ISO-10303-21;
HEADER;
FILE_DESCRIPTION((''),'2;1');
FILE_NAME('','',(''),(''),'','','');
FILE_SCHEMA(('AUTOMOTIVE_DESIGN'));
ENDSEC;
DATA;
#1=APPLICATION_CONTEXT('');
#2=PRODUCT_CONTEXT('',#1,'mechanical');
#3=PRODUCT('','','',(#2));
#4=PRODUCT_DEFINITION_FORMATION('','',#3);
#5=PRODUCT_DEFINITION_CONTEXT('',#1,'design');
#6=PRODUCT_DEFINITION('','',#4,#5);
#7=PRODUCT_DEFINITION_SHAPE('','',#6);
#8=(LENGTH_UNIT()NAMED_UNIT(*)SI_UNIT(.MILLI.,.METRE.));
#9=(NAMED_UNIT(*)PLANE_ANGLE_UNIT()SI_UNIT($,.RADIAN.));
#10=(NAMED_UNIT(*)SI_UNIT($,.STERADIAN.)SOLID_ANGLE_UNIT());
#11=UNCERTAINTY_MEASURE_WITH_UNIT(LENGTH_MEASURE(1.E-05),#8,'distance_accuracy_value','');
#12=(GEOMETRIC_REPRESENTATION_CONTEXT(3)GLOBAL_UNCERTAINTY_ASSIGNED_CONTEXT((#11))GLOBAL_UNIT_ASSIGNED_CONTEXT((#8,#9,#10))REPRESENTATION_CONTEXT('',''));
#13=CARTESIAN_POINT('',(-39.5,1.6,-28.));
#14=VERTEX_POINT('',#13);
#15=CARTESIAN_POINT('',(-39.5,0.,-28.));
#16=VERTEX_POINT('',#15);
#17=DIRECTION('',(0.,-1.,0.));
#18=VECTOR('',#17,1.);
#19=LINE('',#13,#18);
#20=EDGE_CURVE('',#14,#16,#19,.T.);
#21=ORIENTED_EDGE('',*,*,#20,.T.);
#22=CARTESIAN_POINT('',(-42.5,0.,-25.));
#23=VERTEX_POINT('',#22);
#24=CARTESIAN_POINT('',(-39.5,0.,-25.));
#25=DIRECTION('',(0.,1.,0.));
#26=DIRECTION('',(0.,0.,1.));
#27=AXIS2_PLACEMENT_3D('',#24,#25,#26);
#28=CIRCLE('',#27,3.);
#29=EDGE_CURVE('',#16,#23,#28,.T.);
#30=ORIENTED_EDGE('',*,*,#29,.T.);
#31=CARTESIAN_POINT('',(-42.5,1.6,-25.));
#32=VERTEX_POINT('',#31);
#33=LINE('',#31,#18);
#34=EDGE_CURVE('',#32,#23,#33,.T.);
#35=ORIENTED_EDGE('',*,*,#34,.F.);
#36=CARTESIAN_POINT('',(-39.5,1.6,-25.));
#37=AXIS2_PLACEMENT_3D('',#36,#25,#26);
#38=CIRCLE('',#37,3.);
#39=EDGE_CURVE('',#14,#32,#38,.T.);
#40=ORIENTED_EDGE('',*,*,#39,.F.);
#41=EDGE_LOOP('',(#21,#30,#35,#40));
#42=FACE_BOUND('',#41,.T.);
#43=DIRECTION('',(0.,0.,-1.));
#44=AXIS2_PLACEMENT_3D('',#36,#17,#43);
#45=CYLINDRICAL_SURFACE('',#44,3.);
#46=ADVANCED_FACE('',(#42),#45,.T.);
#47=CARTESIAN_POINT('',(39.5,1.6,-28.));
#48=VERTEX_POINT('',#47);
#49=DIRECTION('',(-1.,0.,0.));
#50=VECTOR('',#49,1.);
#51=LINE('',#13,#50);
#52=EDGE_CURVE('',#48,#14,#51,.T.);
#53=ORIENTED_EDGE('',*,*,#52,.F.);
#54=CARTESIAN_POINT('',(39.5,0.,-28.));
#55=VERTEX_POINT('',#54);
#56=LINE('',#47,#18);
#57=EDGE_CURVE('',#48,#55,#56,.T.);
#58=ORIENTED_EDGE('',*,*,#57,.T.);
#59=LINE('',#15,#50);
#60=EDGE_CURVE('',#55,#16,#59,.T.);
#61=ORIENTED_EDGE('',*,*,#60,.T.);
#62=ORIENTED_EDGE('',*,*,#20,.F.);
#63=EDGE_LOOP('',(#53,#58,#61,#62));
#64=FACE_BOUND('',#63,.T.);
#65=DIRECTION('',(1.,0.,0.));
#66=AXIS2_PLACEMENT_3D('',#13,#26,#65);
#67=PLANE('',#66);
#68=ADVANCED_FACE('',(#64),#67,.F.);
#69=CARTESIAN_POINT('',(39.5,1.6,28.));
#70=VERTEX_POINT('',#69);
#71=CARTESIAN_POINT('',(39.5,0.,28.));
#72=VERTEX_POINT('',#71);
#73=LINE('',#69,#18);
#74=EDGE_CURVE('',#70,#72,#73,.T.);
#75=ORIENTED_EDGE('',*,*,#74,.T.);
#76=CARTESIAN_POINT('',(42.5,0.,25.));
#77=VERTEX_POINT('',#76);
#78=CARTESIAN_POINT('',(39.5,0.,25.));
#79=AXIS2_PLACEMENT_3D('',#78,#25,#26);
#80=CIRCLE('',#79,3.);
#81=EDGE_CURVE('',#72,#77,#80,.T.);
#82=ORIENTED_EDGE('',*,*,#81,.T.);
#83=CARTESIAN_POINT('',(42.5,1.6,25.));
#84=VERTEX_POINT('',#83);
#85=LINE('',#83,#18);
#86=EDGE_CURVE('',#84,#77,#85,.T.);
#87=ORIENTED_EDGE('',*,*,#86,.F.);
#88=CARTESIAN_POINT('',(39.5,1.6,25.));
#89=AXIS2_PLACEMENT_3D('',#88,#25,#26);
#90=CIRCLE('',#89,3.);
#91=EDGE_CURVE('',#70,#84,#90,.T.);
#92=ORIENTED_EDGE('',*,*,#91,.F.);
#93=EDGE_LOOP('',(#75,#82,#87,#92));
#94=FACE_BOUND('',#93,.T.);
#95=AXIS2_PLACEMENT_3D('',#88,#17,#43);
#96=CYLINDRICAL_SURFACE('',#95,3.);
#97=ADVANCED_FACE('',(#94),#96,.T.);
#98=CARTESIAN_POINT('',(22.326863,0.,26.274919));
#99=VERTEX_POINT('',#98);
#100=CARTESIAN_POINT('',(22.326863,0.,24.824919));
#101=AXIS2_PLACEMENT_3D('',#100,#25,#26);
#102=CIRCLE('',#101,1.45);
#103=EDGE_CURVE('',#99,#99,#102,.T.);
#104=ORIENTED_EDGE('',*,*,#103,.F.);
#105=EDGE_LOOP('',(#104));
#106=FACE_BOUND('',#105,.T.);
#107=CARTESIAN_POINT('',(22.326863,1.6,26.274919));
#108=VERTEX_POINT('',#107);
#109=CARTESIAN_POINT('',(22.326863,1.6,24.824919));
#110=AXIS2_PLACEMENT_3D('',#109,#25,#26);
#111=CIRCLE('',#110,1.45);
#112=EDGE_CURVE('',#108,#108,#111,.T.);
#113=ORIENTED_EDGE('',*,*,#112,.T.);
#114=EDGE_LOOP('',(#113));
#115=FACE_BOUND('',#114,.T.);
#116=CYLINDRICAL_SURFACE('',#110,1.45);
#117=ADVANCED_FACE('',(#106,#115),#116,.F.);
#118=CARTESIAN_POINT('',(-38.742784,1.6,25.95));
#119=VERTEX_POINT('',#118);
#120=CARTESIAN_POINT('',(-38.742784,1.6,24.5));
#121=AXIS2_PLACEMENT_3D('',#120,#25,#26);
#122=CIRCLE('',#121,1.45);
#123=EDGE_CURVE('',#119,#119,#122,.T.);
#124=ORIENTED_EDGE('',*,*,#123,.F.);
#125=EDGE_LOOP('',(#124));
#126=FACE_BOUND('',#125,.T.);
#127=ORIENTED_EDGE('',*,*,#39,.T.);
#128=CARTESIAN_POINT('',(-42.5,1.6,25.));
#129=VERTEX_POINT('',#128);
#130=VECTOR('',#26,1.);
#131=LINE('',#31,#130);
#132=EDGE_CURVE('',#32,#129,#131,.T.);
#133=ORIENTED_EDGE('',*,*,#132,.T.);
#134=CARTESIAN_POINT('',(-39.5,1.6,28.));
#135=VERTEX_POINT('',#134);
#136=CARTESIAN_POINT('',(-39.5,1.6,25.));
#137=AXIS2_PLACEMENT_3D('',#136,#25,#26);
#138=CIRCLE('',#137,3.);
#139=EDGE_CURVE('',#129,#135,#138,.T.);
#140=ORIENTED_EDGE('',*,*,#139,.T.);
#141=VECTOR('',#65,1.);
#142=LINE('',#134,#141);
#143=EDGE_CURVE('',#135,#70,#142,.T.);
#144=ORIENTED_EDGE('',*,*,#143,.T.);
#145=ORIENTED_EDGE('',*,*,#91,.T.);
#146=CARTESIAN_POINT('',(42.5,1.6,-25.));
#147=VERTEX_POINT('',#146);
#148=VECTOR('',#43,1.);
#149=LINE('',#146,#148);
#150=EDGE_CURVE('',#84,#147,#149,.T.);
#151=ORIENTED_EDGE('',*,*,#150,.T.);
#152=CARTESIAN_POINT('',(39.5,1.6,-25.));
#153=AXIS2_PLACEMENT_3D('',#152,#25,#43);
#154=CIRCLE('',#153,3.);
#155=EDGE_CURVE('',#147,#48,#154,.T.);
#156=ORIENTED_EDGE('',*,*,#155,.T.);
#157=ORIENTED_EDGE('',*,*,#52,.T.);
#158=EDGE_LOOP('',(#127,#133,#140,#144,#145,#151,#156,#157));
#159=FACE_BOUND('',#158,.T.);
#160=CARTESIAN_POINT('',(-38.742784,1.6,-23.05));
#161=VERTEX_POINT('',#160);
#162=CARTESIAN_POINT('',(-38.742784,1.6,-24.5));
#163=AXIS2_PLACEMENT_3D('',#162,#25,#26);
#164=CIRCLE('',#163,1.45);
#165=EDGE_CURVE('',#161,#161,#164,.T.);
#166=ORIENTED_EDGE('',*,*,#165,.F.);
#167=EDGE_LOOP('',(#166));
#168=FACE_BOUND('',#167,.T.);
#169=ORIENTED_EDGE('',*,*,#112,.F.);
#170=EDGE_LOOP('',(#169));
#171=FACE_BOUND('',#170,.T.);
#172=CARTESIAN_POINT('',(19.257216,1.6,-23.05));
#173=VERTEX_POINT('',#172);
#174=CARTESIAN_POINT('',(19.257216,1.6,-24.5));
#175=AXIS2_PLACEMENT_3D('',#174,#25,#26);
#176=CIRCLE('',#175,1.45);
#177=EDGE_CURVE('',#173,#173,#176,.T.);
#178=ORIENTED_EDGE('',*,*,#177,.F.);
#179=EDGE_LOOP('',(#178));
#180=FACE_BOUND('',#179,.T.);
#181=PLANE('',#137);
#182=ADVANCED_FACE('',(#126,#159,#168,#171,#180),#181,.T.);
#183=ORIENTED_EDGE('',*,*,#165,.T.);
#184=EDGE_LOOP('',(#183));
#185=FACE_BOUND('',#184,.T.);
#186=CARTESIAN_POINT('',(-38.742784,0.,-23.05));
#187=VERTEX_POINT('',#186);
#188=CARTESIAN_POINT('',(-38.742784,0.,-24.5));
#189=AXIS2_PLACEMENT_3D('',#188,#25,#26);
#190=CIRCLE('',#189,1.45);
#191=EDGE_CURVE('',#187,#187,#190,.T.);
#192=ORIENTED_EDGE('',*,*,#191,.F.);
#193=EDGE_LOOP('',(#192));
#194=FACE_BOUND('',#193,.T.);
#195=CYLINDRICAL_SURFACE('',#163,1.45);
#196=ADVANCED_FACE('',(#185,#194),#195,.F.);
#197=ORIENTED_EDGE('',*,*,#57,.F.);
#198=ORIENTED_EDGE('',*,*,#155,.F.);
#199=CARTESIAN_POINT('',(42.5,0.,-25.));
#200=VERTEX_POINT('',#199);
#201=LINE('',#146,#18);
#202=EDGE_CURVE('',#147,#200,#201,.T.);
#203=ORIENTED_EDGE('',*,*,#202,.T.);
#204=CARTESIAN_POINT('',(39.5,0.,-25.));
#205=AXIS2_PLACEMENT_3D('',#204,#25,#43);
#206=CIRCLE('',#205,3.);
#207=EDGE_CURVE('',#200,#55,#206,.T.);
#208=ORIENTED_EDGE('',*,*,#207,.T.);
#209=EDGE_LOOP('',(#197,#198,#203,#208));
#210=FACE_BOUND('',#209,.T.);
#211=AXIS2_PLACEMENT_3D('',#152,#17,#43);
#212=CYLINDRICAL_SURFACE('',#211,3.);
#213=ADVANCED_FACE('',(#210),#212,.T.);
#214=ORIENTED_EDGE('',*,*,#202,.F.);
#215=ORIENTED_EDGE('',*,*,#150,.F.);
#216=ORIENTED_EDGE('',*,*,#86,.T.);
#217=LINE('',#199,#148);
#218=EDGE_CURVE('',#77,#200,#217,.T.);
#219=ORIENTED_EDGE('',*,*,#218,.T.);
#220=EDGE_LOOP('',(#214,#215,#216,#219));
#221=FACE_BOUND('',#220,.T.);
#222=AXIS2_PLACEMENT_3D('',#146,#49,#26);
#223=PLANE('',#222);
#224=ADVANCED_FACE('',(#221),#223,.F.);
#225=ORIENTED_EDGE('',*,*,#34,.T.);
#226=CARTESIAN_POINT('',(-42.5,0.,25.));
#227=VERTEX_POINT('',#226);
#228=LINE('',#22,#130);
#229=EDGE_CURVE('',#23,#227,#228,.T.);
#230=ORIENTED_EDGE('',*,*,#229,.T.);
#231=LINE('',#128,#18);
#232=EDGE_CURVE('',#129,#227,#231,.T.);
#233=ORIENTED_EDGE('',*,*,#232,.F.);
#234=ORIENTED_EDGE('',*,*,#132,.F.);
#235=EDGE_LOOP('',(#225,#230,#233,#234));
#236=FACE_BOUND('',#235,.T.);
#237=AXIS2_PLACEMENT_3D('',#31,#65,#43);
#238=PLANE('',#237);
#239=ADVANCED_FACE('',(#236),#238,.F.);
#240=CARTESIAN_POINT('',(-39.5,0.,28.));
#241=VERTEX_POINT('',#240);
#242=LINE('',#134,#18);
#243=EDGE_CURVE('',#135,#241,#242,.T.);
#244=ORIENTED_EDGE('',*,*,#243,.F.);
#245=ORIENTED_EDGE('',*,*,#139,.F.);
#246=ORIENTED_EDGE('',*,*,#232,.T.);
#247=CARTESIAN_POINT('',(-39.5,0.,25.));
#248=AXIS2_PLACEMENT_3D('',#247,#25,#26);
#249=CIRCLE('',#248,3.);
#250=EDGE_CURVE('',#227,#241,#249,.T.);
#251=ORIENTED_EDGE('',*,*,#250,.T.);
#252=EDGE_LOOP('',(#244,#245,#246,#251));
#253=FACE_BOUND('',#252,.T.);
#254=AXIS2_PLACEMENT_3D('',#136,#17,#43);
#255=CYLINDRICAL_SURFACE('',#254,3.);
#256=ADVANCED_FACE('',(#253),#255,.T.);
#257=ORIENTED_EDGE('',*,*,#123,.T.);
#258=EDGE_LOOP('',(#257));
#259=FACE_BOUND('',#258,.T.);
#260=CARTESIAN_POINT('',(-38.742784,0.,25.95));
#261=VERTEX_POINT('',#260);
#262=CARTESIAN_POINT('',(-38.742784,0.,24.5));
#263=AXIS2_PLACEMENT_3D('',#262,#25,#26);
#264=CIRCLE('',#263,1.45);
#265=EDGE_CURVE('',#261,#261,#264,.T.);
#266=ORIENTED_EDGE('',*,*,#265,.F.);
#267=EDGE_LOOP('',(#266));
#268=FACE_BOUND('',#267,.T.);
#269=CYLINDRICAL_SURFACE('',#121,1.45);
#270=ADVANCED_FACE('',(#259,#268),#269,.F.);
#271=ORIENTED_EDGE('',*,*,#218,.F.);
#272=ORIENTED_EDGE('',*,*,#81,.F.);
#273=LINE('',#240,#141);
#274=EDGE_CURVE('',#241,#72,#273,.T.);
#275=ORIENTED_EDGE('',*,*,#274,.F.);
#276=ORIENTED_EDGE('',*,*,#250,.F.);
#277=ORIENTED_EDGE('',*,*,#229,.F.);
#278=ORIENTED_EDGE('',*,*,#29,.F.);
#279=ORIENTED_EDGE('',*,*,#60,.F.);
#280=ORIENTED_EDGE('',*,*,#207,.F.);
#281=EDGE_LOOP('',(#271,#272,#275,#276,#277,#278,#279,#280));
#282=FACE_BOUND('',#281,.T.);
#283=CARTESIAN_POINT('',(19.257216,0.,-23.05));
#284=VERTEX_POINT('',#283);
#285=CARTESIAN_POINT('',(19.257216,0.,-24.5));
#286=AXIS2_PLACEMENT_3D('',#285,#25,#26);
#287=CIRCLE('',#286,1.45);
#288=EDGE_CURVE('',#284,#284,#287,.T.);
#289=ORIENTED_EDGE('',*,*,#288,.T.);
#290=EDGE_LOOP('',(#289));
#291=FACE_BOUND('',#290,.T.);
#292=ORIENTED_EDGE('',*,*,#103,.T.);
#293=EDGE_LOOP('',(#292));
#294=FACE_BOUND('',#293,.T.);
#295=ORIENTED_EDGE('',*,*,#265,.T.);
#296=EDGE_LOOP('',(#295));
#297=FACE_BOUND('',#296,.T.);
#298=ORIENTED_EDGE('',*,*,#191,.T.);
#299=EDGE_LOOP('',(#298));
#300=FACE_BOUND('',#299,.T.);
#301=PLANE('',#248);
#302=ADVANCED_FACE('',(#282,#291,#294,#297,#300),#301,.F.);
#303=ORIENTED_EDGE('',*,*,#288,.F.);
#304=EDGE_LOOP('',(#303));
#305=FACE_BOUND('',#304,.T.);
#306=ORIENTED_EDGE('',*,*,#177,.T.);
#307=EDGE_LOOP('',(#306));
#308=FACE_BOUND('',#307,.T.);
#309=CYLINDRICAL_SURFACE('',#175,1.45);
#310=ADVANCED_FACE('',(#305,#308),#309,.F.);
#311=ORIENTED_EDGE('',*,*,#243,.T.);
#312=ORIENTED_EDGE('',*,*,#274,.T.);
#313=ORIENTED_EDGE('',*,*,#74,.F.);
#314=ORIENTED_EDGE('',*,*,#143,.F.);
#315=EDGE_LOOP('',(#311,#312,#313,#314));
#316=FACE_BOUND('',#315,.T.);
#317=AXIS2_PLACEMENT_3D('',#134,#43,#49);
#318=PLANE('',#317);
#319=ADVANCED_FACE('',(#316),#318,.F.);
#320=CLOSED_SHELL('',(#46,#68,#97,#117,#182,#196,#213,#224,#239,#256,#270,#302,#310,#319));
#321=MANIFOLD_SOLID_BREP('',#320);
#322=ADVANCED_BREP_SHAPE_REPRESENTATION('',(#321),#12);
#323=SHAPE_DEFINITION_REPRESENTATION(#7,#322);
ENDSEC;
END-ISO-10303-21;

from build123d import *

# Parameters (mm, degrees)
BOSS_EXTRUDE1_DEPTH    = 1.6
M2_5_CLEARANCE_HOLE1_D = 2.9


with BuildPart() as part:
    # Sketch1 → Boss-Extrude1 (new body)
    with BuildSketch(Plane(origin=(0, 0, 0), x_dir=(1, 0, 0), z_dir=(0, 1, 0))):
        with BuildLine():
            Line((-39.5, 28), (39.5, 28))
            ThreePointArc((39.5, 28), (41.621320344, 27.121320344), (42.5, 25))
            Line((42.5, 25), (42.5, -25))
            ThreePointArc((42.5, -25), (41.621320344, -27.121320344), (39.5, -28))
            Line((39.5, -28), (-39.5, -28))
            ThreePointArc((-39.5, -28), (-41.621320344, -27.121320344), (-42.5, -25))
            Line((-42.5, -25), (-42.5, 25))
            ThreePointArc((-42.5, 25), (-41.621320344, 27.121320344), (-39.5, 28))
        make_face()
    extrude(amount=BOSS_EXTRUDE1_DEPTH)

    # M2.5 Clearance Hole1 (through all)
    with Locations(Plane(origin=(0, 1.6, 0), x_dir=(1, 0, 0), z_dir=(0, 1, 0))):
        with Locations((-38.742784227, 24.5), (19.257215773, 24.5), (22.326862543, -24.824918993), (-38.742784227, -24.5)):
            Hole(M2_5_CLEARANCE_HOLE1_D / 2)


solid = part.part
